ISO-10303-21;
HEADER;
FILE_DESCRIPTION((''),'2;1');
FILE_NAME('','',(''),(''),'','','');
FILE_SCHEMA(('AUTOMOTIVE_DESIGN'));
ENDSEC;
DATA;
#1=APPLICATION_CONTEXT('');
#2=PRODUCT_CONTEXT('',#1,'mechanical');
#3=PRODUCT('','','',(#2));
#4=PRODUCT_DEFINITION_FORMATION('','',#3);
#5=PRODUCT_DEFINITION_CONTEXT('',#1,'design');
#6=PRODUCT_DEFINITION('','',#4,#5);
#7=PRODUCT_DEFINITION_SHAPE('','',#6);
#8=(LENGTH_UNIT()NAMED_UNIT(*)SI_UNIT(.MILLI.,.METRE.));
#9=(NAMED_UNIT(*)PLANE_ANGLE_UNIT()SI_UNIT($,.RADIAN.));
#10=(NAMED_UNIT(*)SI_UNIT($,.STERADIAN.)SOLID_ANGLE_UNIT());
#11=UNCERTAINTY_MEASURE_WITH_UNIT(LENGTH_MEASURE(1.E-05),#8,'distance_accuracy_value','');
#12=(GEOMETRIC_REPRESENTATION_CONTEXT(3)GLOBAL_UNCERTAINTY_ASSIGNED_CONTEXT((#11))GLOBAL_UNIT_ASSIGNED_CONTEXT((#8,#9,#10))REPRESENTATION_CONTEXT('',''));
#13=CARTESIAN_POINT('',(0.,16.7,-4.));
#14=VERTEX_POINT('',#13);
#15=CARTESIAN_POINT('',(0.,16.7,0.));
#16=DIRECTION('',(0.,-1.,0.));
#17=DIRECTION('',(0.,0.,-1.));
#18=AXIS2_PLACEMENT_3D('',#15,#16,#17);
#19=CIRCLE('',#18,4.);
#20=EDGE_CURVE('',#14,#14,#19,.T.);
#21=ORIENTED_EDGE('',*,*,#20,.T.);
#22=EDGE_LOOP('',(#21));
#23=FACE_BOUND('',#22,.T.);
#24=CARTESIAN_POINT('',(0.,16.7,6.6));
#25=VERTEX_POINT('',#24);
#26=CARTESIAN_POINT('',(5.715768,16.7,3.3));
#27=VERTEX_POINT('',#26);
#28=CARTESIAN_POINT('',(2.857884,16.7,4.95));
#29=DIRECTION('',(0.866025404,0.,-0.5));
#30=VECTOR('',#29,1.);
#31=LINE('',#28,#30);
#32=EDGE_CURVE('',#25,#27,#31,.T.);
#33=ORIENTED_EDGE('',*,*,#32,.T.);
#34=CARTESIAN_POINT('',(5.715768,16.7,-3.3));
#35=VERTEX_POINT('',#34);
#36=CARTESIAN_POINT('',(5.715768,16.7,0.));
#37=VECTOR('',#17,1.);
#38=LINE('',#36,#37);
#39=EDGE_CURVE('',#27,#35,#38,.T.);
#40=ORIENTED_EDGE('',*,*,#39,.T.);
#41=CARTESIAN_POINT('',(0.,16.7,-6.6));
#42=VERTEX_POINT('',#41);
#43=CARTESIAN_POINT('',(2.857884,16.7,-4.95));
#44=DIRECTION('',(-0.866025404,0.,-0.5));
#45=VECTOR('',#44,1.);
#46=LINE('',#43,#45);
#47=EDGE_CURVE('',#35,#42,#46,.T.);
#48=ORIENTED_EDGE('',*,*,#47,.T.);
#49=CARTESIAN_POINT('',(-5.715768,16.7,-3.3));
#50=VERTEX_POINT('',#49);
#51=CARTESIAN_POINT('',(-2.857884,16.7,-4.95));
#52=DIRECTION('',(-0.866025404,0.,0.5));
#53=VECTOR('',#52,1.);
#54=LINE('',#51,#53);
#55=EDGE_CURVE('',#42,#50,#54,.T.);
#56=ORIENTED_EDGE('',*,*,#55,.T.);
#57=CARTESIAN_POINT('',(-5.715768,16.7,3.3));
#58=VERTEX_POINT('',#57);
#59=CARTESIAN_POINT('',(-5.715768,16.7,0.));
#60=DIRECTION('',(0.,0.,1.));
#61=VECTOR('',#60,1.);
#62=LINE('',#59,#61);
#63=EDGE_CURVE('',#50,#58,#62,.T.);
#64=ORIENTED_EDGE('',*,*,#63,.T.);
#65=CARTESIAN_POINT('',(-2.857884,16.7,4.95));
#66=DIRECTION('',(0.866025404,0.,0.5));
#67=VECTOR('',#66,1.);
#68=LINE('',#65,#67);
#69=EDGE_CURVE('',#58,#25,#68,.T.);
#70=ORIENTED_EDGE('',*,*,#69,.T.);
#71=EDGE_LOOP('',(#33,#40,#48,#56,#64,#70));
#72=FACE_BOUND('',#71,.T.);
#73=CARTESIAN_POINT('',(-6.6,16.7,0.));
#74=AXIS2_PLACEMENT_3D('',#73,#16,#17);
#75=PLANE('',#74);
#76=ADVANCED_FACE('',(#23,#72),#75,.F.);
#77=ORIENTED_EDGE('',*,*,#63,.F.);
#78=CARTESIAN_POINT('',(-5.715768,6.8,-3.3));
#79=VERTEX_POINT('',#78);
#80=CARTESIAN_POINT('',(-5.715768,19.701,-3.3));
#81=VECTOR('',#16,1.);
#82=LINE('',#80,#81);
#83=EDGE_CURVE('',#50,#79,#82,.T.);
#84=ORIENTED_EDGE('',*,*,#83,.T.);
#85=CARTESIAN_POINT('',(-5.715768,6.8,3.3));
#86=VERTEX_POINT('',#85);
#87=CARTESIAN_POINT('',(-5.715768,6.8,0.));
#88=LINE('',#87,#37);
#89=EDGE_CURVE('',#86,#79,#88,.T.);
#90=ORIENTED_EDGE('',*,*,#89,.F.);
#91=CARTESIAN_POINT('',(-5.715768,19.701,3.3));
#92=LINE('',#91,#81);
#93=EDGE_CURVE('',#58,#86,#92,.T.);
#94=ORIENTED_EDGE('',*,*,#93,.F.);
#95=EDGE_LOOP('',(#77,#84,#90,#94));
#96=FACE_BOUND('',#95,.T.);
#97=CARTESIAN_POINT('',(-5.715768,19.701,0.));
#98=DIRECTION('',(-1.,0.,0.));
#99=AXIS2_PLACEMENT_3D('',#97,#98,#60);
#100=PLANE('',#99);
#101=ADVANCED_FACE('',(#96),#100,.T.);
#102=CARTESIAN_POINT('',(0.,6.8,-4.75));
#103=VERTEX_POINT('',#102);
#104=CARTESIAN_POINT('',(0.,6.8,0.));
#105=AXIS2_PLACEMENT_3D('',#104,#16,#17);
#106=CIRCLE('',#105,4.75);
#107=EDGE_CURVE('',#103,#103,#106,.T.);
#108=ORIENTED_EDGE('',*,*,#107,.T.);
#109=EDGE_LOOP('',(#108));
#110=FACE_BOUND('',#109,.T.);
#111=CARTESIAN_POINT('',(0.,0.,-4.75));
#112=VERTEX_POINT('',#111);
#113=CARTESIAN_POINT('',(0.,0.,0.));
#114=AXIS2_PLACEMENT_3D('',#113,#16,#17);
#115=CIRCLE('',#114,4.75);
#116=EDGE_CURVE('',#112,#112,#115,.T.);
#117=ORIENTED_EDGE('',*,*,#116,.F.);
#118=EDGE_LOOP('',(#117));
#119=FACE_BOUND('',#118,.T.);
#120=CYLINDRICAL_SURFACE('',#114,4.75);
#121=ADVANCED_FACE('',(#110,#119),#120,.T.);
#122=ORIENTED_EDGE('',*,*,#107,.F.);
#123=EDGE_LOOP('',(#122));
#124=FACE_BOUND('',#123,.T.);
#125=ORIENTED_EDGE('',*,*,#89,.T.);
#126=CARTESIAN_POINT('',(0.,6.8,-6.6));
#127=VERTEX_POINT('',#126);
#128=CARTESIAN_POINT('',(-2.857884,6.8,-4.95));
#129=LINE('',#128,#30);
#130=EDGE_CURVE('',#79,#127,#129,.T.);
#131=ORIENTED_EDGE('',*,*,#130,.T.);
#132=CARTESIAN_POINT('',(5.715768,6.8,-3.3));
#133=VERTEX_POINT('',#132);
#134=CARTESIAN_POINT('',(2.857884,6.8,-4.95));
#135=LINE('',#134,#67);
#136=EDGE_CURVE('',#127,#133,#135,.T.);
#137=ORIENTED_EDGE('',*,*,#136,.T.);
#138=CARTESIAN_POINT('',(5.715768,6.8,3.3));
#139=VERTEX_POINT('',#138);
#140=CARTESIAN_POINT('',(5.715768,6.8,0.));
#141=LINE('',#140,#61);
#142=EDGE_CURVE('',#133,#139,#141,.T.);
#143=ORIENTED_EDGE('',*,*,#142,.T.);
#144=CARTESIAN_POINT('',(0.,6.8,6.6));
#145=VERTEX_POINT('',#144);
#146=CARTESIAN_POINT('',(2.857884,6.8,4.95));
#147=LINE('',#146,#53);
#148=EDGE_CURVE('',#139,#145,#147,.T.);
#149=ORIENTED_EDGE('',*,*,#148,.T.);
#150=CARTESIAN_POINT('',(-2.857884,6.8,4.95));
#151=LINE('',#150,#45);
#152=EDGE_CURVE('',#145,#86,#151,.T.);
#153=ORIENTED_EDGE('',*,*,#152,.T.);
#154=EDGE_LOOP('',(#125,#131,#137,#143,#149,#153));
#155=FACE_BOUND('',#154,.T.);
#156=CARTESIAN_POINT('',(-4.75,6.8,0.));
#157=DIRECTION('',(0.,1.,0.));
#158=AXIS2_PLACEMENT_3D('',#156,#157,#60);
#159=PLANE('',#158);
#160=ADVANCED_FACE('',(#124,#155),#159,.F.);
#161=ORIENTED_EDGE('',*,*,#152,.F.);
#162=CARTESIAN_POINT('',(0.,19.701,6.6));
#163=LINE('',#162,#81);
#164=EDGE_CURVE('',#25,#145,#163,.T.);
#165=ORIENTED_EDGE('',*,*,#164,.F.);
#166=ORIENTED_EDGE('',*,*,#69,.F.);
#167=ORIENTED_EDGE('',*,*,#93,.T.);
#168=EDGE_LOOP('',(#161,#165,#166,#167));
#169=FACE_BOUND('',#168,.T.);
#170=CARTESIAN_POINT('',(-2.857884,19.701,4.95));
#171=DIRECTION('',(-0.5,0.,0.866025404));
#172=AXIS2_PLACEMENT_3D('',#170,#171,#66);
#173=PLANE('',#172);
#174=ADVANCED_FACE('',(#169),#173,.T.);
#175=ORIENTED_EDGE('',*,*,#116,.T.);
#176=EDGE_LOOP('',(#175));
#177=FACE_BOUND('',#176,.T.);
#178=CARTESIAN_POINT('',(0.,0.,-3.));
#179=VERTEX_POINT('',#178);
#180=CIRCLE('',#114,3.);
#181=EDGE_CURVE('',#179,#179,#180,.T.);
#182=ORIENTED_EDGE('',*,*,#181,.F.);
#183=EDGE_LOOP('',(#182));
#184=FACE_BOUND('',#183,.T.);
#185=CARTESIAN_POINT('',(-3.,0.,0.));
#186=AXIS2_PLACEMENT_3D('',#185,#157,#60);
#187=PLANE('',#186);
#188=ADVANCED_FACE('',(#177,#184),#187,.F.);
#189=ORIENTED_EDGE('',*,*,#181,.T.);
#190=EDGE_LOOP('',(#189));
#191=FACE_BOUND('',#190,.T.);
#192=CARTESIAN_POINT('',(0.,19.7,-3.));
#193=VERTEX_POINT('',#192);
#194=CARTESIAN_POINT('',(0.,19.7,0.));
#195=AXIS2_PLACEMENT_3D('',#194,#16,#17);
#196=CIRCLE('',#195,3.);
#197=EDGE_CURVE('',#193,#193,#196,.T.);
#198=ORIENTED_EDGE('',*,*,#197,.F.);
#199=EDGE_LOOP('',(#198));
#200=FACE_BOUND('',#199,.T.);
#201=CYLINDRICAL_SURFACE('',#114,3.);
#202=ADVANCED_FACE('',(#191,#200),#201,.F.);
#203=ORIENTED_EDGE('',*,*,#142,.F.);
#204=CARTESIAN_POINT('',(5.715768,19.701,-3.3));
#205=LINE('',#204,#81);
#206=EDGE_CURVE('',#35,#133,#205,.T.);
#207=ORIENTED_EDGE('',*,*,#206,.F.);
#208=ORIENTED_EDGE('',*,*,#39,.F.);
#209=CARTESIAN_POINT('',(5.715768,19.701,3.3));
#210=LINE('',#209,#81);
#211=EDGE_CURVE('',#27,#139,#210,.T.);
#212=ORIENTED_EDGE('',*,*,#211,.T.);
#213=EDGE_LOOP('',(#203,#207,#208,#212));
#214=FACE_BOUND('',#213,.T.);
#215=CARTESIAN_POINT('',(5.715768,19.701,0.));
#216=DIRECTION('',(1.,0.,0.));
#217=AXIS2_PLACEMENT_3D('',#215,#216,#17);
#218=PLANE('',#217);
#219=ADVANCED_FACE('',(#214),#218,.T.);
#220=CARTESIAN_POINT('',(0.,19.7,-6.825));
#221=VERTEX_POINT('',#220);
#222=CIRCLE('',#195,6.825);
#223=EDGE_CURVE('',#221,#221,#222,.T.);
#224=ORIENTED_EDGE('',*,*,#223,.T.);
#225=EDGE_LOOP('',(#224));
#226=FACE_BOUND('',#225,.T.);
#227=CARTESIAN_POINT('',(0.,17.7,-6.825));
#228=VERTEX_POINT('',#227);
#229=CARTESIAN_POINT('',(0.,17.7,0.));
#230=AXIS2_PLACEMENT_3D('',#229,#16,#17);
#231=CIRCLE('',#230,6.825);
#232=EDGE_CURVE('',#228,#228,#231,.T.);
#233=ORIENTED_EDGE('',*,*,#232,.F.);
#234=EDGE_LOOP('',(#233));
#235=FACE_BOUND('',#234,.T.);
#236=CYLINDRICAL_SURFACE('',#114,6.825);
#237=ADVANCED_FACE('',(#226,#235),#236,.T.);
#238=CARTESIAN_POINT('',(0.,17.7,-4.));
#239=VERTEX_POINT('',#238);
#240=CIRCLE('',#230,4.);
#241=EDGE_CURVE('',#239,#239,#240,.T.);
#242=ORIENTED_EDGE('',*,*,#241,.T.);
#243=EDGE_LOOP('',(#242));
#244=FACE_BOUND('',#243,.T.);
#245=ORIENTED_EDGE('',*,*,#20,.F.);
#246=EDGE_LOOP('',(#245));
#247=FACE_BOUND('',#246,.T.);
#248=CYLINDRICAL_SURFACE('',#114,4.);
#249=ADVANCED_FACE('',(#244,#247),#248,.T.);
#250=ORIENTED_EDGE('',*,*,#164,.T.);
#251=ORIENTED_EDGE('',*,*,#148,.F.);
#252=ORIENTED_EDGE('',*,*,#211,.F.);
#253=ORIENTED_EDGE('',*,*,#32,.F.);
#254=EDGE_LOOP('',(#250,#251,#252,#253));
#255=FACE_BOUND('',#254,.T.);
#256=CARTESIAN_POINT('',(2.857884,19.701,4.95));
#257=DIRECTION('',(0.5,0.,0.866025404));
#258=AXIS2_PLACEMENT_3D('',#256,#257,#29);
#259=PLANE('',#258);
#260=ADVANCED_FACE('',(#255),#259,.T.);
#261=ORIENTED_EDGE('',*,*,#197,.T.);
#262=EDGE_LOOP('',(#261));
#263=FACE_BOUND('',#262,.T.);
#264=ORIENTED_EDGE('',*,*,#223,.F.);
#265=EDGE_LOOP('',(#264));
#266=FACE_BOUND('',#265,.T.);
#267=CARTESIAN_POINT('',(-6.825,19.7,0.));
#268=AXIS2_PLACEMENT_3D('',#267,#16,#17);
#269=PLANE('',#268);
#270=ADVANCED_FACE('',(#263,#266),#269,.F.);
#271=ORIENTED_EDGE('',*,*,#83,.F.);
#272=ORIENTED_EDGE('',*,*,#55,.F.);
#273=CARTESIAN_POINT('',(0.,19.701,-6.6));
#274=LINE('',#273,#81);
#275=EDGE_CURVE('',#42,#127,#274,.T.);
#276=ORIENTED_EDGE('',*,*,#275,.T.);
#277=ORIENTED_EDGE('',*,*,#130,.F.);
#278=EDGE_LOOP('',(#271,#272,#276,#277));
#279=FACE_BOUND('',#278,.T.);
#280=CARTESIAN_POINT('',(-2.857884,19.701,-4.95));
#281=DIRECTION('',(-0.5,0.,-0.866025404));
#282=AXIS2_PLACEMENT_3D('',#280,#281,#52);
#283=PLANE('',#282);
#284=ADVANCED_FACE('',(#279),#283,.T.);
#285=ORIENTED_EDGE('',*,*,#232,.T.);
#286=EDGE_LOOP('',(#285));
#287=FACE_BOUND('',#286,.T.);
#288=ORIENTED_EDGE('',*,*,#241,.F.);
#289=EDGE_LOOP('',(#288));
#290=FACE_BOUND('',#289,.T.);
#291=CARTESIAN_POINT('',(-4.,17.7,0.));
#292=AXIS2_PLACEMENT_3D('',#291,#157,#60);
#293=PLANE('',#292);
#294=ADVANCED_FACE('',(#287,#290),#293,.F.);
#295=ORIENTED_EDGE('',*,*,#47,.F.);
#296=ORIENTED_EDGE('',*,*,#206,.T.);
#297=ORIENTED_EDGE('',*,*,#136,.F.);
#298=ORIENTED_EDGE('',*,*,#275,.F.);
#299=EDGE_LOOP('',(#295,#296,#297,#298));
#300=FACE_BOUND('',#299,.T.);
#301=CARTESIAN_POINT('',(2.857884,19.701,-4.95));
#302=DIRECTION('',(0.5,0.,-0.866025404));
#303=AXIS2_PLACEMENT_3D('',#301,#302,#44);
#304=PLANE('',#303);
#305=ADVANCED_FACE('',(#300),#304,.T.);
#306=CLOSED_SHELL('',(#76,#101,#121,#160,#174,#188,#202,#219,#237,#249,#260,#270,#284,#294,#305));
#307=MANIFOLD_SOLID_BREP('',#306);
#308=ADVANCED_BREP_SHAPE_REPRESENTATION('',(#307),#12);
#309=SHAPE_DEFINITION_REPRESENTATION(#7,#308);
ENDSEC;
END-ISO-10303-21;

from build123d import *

# Parameters (mm, degrees)
CUT_EXTRUDE1_REACH = 18.111


with BuildPart() as part:
    # Sketch1 → Revolve1 (revolve)
    with BuildSketch(Plane.XY, mode=Mode.PRIVATE) as revolve1_sk:
        Polygon((-4.75, 0), (-4.75, 6.8), (-6.6, 6.8), (-6.6, 16.7), (-4, 16.7), (-4, 17.7), (-6.825, 17.7), (-6.825, 19.7), (-3, 19.7), (-3, 0), align=None)
    revolve(revolve1_sk.sketch.rotate(Axis((0, 0, 0), (0, 1, 0)), 270), axis=Axis((0, 0, 0), (0, 1, 0)))

    # Sketch2 → Cut-Extrude1 (cut, up to next)
    with BuildSketch(Plane.XZ.offset(-6.8), mode=Mode.PRIVATE) as cut_extrude1_sk1:
        with BuildLine():
            Line((-5.715767665, 3.3), (0, 6.6))
            ThreePointArc((0, 6.6), (-3.3, 5.715767665), (-5.715767665, 3.3))
        make_face()
    cut_extrude1_tool1 = extrude(cut_extrude1_sk1.sketch, amount=-CUT_EXTRUDE1_REACH, mode=Mode.PRIVATE) & part.part
    # Sketch2 → Cut-Extrude1 (cut, up to next)
    with BuildSketch(Plane.XZ.offset(-6.8), mode=Mode.PRIVATE) as cut_extrude1_sk2:
        with BuildLine():
            ThreePointArc((5.715767665, 3.3), (3.3, 5.715767665), (0, 6.6))
            Line((0, 6.6), (5.715767665, 3.3))
        make_face()
    cut_extrude1_tool2 = extrude(cut_extrude1_sk2.sketch, amount=-CUT_EXTRUDE1_REACH, mode=Mode.PRIVATE) & part.part
    # Sketch2 → Cut-Extrude1 (cut, up to next)
    with BuildSketch(Plane.XZ.offset(-6.8), mode=Mode.PRIVATE) as cut_extrude1_sk3:
        with BuildLine():
            ThreePointArc((6.6, 0), (6.375110454, 1.708205698), (5.715767665, 3.3))
            Line((5.715767665, 3.3), (5.715767665, -3.3))
            ThreePointArc((5.715767665, -3.3), (6.375110454, -1.708205698), (6.6, 0))
        make_face()
    cut_extrude1_tool3 = extrude(cut_extrude1_sk3.sketch, amount=-CUT_EXTRUDE1_REACH, mode=Mode.PRIVATE) & part.part
    # Sketch2 → Cut-Extrude1 (cut, up to next)
    with BuildSketch(Plane.XZ.offset(-6.8), mode=Mode.PRIVATE) as cut_extrude1_sk4:
        with BuildLine():
            ThreePointArc((0, -6.6), (3.3, -5.715767665), (5.715767665, -3.3))
            Line((5.715767665, -3.3), (0, -6.6))
        make_face()
    cut_extrude1_tool4 = extrude(cut_extrude1_sk4.sketch, amount=-CUT_EXTRUDE1_REACH, mode=Mode.PRIVATE) & part.part
    # Sketch2 → Cut-Extrude1 (cut, up to next)
    with BuildSketch(Plane.XZ.offset(-6.8), mode=Mode.PRIVATE) as cut_extrude1_sk5:
        with BuildLine():
            Line((0, -6.6), (-5.715767665, -3.3))
            ThreePointArc((-5.715767665, -3.3), (-3.3, -5.715767665), (0, -6.6))
        make_face()
    cut_extrude1_tool5 = extrude(cut_extrude1_sk5.sketch, amount=-CUT_EXTRUDE1_REACH, mode=Mode.PRIVATE) & part.part
    # Sketch2 → Cut-Extrude1 (cut, up to next)
    with BuildSketch(Plane.XZ.offset(-6.8), mode=Mode.PRIVATE) as cut_extrude1_sk6:
        with BuildLine():
            Line((-5.715767665, -3.3), (-5.715767665, 3.3))
            ThreePointArc((-5.715767665, 3.3), (-6.6, 0), (-5.715767665, -3.3))
        make_face()
    cut_extrude1_tool6 = extrude(cut_extrude1_sk6.sketch, amount=-CUT_EXTRUDE1_REACH, mode=Mode.PRIVATE) & part.part
    add(cut_extrude1_tool1.solids().sort_by_distance((-3.035787, 6.8, 5.258137))[0], mode=Mode.SUBTRACT)
    add(cut_extrude1_tool2.solids().sort_by_distance((3.035787, 6.8, 5.258137))[0], mode=Mode.SUBTRACT)
    add(cut_extrude1_tool3.solids().sort_by_distance((6.071573, 6.8, 0))[0], mode=Mode.SUBTRACT)
    add(cut_extrude1_tool4.solids().sort_by_distance((3.035787, 6.8, -5.258137))[0], mode=Mode.SUBTRACT)
    add(cut_extrude1_tool5.solids().sort_by_distance((-3.035787, 6.8, -5.258137))[0], mode=Mode.SUBTRACT)
    add(cut_extrude1_tool6.solids().sort_by_distance((-6.071573, 6.8, 0))[0], mode=Mode.SUBTRACT)


solid = part.part
